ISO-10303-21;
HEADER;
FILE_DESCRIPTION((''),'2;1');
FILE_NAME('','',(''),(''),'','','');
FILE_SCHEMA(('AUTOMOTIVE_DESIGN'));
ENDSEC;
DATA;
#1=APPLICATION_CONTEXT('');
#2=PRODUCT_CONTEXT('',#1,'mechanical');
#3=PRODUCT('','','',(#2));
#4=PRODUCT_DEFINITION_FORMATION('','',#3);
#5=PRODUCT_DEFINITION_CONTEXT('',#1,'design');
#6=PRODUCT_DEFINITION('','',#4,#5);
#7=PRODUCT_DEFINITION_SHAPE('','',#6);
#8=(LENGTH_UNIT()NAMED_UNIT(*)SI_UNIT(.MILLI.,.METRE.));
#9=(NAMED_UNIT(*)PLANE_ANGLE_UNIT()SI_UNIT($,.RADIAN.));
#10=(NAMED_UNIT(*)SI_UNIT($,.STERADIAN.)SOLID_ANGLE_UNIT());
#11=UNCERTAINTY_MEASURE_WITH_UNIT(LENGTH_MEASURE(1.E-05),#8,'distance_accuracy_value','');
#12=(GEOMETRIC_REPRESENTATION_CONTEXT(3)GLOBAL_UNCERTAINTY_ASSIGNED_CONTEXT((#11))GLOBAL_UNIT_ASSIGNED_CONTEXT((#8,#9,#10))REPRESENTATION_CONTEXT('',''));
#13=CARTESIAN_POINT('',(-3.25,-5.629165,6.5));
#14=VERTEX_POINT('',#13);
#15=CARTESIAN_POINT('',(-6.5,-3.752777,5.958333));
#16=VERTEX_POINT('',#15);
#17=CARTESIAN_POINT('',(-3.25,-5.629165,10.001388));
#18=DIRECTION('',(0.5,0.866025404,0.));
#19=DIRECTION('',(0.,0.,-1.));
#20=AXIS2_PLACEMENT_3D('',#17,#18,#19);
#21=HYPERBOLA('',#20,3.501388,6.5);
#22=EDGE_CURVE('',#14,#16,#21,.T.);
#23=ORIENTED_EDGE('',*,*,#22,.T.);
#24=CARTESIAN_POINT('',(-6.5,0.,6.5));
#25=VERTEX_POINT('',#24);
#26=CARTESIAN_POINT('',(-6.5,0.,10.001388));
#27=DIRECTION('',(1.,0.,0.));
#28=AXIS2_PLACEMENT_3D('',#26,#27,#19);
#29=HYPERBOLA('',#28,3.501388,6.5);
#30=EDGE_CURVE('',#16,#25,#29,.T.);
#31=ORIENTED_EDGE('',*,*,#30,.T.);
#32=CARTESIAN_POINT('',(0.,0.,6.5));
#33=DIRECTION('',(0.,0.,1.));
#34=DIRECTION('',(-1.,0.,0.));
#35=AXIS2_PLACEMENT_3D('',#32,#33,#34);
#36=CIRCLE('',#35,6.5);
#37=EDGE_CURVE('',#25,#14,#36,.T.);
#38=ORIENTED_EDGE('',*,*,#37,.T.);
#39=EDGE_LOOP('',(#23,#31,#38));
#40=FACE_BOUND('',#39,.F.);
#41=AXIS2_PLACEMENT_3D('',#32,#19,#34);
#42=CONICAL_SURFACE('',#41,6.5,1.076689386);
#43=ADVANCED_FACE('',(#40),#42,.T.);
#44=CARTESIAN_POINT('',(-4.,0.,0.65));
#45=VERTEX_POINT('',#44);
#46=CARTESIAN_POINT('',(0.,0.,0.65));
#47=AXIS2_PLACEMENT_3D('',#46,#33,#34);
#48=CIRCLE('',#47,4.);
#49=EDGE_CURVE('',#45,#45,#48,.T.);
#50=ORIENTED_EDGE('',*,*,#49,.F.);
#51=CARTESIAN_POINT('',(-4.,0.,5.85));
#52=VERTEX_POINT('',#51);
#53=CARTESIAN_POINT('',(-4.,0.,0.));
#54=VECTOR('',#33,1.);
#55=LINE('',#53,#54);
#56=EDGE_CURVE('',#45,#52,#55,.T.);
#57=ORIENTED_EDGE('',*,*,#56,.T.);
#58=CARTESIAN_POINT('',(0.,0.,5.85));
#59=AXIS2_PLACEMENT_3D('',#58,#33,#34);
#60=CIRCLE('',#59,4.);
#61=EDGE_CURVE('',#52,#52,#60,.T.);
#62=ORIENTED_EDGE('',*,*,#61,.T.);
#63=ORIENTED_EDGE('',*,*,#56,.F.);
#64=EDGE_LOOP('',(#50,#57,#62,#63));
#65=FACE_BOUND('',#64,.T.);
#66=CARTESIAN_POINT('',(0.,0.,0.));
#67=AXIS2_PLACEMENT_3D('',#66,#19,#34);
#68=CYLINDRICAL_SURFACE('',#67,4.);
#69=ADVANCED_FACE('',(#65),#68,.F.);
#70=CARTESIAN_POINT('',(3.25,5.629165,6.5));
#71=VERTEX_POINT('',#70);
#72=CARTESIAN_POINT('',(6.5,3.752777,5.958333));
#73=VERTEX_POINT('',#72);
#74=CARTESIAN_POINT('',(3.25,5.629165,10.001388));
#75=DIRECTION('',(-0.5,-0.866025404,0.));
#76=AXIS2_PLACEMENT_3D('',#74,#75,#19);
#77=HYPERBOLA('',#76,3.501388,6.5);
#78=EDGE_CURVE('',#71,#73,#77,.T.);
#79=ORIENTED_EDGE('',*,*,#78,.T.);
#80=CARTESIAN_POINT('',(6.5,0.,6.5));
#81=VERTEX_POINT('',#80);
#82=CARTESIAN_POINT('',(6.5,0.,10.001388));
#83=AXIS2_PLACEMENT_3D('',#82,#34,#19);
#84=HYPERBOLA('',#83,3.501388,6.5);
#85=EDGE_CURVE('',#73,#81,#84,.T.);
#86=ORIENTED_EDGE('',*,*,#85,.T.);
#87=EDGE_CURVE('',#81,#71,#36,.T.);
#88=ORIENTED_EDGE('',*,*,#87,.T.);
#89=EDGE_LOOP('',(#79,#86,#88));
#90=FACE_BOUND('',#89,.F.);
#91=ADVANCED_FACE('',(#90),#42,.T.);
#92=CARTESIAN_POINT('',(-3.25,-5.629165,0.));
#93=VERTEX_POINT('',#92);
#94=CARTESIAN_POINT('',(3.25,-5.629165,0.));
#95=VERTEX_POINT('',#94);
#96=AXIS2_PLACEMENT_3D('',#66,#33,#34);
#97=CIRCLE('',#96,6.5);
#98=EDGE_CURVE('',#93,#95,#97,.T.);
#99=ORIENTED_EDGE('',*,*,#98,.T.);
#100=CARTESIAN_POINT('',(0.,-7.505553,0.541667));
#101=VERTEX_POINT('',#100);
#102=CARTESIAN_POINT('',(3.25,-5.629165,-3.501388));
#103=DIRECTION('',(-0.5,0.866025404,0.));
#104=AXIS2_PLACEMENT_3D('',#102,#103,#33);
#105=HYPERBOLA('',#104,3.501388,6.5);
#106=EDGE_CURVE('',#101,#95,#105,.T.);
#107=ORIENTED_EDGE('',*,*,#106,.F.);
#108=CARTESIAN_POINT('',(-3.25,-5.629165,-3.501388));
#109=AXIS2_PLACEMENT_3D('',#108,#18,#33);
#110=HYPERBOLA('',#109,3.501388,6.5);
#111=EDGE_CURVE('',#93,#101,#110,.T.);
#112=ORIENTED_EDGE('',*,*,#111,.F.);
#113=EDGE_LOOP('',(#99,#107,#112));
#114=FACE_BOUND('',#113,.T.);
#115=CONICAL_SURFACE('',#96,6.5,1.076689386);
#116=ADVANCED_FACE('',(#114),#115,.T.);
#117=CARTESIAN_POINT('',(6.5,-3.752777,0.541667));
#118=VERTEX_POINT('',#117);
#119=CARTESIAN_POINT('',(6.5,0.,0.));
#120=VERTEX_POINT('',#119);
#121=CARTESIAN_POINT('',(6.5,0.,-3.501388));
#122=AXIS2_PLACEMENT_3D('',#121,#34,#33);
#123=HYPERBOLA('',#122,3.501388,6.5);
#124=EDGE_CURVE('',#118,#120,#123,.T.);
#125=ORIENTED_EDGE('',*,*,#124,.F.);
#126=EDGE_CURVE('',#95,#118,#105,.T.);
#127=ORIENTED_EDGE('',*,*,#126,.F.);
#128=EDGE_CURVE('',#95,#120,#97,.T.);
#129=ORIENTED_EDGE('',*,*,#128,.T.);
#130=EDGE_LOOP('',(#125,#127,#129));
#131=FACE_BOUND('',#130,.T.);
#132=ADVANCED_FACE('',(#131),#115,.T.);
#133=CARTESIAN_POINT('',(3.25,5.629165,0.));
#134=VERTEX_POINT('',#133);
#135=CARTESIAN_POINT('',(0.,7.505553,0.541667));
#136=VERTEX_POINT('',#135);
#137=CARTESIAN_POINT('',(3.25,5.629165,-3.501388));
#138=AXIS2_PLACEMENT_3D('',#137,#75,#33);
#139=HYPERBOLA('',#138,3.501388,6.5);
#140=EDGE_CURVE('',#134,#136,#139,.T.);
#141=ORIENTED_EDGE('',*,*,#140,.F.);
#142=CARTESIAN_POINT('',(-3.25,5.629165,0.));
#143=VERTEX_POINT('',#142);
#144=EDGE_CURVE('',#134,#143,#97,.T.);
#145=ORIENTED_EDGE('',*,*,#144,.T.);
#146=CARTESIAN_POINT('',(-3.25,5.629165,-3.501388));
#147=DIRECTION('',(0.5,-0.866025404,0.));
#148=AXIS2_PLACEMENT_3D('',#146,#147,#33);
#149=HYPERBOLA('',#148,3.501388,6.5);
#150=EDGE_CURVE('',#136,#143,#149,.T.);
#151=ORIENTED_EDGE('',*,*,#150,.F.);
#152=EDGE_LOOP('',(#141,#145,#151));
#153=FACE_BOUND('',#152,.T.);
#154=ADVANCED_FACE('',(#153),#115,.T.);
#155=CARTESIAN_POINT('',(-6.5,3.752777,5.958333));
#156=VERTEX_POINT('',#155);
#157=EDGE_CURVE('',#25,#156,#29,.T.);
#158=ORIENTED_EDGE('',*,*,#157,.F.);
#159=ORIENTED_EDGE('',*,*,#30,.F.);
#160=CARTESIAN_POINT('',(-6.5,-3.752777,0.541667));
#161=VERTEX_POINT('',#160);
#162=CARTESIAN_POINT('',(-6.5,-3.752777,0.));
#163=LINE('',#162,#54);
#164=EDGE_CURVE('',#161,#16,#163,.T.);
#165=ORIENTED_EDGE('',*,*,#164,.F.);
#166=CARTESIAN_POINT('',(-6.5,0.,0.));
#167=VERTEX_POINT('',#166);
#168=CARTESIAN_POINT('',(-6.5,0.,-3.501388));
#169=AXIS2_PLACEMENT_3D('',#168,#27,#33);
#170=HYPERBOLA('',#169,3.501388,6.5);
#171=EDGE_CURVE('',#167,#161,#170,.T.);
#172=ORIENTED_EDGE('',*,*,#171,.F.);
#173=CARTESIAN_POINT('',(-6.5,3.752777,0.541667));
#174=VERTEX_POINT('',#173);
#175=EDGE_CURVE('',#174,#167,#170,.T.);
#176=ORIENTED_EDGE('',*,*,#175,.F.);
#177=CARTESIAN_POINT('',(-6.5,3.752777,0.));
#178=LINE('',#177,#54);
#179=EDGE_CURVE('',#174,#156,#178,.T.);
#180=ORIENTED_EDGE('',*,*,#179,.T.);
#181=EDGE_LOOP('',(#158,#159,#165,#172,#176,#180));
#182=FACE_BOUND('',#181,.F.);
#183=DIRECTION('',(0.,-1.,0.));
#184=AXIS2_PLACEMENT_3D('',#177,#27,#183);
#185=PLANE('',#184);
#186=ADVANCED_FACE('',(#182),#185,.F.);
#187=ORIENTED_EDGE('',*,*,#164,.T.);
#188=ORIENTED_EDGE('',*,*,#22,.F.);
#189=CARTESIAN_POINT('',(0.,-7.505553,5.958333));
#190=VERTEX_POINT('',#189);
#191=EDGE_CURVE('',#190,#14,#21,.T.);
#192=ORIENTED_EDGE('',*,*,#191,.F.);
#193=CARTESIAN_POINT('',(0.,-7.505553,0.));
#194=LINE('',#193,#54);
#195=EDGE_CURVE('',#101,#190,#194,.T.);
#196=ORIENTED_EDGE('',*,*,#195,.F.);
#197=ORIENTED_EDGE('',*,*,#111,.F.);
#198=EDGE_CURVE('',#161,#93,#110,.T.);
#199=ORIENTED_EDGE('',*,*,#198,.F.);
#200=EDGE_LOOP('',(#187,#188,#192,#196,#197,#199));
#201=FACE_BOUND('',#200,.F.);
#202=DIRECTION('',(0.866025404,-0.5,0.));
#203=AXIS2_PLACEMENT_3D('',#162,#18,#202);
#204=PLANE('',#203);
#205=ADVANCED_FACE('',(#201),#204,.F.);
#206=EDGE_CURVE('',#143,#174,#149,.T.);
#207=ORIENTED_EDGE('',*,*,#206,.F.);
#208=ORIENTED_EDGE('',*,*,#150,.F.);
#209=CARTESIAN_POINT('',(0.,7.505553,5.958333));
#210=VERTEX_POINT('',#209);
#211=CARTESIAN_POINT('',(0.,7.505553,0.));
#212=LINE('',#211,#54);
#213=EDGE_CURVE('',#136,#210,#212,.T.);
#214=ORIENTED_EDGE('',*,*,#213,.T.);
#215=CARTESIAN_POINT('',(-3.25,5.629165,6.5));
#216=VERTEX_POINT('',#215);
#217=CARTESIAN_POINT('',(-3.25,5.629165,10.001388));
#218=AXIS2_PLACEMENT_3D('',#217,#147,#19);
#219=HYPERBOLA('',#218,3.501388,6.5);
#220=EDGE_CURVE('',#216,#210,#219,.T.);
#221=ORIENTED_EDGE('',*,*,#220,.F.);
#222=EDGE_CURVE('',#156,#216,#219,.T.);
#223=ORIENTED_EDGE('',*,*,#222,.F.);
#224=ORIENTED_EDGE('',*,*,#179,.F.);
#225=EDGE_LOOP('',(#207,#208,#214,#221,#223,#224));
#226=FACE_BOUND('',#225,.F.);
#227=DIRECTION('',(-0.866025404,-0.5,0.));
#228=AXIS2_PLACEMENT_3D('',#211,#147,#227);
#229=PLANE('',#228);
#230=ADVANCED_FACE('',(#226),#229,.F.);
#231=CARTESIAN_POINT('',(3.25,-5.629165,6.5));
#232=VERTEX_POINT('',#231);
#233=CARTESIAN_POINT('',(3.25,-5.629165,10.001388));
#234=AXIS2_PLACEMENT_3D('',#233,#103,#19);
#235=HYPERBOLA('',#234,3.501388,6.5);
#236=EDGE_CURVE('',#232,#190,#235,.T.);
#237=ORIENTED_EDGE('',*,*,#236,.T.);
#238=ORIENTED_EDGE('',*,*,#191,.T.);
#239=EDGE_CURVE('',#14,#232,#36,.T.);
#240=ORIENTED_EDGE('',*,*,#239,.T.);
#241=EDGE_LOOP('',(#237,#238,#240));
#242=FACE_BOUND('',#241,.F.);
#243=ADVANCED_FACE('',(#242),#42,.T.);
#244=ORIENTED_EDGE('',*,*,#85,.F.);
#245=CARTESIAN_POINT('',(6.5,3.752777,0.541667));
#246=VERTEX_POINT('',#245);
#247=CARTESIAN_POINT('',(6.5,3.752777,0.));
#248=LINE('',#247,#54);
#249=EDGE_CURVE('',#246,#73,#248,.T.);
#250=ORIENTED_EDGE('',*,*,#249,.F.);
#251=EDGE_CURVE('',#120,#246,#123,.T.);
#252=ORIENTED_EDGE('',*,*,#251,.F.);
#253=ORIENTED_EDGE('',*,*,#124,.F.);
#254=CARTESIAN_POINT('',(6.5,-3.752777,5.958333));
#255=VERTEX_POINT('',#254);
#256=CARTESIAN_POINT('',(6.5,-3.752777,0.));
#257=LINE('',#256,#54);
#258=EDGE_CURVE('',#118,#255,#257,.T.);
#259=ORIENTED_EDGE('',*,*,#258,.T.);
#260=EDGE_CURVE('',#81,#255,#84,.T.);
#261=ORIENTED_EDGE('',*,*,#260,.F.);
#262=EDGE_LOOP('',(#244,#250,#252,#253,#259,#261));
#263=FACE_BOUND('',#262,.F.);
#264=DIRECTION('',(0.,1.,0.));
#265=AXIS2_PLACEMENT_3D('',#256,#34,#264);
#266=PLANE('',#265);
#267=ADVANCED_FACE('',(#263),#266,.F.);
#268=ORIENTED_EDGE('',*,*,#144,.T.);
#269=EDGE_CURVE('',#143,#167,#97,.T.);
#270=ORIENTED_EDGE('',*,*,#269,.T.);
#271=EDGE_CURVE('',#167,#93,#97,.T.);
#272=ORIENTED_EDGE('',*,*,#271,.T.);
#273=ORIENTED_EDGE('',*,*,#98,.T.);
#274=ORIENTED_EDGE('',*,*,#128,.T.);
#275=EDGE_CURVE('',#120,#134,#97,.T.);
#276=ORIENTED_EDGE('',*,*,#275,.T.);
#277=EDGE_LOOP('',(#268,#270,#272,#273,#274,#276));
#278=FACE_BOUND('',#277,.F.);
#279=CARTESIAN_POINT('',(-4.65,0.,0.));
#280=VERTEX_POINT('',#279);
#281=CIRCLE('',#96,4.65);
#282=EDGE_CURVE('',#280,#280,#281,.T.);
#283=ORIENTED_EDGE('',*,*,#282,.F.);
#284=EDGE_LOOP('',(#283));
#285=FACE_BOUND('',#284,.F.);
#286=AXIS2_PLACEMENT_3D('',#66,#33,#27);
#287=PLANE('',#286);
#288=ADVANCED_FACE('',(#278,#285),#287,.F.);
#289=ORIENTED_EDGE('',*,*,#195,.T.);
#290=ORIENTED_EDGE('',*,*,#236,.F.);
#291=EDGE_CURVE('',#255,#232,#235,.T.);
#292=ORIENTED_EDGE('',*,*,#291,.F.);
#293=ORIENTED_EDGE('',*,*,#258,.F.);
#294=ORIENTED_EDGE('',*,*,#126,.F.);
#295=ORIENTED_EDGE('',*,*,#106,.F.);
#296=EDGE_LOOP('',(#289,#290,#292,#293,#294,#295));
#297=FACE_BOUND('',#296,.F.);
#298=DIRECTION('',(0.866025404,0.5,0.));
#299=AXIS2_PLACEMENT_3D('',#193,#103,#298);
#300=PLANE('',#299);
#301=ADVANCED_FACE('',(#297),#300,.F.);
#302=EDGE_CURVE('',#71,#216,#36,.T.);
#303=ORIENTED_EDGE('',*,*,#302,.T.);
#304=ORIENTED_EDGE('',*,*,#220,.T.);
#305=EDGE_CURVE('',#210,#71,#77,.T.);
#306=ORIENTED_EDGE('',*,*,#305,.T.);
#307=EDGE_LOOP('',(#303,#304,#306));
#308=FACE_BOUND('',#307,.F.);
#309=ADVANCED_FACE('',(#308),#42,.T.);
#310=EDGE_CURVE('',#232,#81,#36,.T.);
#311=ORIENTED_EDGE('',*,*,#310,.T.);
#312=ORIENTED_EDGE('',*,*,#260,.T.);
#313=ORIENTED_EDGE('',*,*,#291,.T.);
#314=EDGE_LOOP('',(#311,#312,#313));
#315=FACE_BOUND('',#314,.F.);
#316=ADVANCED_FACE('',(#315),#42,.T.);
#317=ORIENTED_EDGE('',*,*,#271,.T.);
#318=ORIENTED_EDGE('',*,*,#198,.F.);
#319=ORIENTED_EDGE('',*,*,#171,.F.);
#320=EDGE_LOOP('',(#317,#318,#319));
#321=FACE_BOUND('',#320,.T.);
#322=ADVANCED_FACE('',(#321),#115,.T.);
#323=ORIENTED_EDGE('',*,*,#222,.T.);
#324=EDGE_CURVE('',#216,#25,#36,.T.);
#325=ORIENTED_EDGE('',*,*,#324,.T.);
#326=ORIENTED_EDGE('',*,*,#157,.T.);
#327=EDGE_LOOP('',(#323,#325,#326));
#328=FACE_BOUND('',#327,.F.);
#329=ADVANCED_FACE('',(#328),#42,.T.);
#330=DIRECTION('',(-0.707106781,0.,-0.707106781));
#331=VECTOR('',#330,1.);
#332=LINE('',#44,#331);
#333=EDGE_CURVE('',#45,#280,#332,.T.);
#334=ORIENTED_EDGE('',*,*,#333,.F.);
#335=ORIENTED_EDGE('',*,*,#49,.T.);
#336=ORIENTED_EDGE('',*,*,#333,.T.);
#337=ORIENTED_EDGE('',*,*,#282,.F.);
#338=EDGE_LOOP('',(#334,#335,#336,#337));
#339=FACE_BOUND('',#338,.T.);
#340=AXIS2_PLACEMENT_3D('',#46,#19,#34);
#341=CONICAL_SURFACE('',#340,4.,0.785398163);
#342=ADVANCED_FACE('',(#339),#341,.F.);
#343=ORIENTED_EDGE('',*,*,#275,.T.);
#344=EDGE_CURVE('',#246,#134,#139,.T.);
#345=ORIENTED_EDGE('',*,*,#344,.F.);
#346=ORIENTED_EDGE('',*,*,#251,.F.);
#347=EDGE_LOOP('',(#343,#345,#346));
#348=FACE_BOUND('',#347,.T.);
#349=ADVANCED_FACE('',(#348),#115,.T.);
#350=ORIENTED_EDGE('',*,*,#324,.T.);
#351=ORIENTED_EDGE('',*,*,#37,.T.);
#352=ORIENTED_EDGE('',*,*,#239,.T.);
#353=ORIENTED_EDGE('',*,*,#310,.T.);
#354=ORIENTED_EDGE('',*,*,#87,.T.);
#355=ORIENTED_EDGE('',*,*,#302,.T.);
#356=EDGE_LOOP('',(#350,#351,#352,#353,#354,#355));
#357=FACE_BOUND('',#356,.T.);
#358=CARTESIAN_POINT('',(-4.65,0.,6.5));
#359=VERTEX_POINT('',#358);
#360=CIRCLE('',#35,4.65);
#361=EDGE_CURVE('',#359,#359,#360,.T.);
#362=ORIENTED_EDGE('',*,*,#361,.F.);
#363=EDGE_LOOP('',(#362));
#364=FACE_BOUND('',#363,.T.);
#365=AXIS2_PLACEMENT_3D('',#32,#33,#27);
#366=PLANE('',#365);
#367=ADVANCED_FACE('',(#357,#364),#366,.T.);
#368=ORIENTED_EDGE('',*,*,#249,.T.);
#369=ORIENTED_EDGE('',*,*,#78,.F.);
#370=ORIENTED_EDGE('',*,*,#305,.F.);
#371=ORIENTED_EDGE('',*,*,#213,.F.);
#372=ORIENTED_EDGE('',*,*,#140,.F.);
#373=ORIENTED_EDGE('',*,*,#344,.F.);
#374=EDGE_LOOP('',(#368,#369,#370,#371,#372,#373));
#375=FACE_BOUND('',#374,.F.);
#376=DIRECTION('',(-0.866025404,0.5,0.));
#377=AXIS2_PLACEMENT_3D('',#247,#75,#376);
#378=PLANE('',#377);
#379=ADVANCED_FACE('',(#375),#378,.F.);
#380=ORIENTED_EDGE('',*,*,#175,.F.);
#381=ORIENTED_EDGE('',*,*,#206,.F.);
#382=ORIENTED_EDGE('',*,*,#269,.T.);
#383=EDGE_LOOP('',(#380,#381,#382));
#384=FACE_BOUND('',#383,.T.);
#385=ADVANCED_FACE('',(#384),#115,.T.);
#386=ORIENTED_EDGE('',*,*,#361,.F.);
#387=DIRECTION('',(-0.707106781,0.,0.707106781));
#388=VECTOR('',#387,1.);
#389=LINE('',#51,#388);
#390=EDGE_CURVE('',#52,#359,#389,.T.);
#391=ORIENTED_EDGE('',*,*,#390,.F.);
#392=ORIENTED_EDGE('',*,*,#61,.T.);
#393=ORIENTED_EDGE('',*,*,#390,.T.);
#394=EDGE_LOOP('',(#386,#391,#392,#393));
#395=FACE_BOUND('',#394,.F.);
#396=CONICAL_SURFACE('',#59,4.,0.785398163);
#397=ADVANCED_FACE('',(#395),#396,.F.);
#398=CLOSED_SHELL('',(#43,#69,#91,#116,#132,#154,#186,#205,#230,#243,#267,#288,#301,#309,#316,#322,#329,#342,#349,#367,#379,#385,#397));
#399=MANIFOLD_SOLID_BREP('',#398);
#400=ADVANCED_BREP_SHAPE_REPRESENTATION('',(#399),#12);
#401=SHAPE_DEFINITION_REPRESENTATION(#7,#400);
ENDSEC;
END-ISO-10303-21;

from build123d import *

# Parameters (mm, degrees)
SKETCH1_R           = 4
BOSS_EXTRUDE1_DEPTH = 6.5


with BuildPart() as part:
    # Sketch1 → Boss-Extrude1 (new body)
    with BuildSketch(Plane.XY):
        Polygon((0, -7.505553499), (6.5, -3.75277675), (6.5, 3.75277675), (0, 7.505553499), (-6.5, 3.75277675), (-6.5, -3.75277675), align=None)
        with Locations(Location((0, 0, 0), (0, 0, 180))):
            Circle(SKETCH1_R, mode=Mode.SUBTRACT)
    extrude(amount=BOSS_EXTRUDE1_DEPTH)

    # Sketch2 → Cut-Revolve1 (revolve, cut)
    with BuildSketch(Plane(origin=(0, 0, 0), x_dir=(0, 0, -1), z_dir=(1, 0, 0)), mode=Mode.PRIVATE) as cut_revolve1_sk:
        Polygon((-6.5, 7.505553499), (-6.5, 6.5), (-5.958333333, 7.505553499), align=None)
        Polygon((-0.541666667, 7.505553499), (0, 7.505553499), (0, 6.5), align=None)
        Polygon((-6.5, 4), (-5.85, 4), (-6.5, 4.65), align=None)
        Polygon((0, 4), (-0.65, 4), (0, 4.65), align=None)
    revolve(cut_revolve1_sk.sketch.rotate(Axis((0, 0, 0), (0, 0, 1)), 90), axis=Axis((0, 0, 0), (0, 0, 1)), mode=Mode.SUBTRACT)


solid = part.part
